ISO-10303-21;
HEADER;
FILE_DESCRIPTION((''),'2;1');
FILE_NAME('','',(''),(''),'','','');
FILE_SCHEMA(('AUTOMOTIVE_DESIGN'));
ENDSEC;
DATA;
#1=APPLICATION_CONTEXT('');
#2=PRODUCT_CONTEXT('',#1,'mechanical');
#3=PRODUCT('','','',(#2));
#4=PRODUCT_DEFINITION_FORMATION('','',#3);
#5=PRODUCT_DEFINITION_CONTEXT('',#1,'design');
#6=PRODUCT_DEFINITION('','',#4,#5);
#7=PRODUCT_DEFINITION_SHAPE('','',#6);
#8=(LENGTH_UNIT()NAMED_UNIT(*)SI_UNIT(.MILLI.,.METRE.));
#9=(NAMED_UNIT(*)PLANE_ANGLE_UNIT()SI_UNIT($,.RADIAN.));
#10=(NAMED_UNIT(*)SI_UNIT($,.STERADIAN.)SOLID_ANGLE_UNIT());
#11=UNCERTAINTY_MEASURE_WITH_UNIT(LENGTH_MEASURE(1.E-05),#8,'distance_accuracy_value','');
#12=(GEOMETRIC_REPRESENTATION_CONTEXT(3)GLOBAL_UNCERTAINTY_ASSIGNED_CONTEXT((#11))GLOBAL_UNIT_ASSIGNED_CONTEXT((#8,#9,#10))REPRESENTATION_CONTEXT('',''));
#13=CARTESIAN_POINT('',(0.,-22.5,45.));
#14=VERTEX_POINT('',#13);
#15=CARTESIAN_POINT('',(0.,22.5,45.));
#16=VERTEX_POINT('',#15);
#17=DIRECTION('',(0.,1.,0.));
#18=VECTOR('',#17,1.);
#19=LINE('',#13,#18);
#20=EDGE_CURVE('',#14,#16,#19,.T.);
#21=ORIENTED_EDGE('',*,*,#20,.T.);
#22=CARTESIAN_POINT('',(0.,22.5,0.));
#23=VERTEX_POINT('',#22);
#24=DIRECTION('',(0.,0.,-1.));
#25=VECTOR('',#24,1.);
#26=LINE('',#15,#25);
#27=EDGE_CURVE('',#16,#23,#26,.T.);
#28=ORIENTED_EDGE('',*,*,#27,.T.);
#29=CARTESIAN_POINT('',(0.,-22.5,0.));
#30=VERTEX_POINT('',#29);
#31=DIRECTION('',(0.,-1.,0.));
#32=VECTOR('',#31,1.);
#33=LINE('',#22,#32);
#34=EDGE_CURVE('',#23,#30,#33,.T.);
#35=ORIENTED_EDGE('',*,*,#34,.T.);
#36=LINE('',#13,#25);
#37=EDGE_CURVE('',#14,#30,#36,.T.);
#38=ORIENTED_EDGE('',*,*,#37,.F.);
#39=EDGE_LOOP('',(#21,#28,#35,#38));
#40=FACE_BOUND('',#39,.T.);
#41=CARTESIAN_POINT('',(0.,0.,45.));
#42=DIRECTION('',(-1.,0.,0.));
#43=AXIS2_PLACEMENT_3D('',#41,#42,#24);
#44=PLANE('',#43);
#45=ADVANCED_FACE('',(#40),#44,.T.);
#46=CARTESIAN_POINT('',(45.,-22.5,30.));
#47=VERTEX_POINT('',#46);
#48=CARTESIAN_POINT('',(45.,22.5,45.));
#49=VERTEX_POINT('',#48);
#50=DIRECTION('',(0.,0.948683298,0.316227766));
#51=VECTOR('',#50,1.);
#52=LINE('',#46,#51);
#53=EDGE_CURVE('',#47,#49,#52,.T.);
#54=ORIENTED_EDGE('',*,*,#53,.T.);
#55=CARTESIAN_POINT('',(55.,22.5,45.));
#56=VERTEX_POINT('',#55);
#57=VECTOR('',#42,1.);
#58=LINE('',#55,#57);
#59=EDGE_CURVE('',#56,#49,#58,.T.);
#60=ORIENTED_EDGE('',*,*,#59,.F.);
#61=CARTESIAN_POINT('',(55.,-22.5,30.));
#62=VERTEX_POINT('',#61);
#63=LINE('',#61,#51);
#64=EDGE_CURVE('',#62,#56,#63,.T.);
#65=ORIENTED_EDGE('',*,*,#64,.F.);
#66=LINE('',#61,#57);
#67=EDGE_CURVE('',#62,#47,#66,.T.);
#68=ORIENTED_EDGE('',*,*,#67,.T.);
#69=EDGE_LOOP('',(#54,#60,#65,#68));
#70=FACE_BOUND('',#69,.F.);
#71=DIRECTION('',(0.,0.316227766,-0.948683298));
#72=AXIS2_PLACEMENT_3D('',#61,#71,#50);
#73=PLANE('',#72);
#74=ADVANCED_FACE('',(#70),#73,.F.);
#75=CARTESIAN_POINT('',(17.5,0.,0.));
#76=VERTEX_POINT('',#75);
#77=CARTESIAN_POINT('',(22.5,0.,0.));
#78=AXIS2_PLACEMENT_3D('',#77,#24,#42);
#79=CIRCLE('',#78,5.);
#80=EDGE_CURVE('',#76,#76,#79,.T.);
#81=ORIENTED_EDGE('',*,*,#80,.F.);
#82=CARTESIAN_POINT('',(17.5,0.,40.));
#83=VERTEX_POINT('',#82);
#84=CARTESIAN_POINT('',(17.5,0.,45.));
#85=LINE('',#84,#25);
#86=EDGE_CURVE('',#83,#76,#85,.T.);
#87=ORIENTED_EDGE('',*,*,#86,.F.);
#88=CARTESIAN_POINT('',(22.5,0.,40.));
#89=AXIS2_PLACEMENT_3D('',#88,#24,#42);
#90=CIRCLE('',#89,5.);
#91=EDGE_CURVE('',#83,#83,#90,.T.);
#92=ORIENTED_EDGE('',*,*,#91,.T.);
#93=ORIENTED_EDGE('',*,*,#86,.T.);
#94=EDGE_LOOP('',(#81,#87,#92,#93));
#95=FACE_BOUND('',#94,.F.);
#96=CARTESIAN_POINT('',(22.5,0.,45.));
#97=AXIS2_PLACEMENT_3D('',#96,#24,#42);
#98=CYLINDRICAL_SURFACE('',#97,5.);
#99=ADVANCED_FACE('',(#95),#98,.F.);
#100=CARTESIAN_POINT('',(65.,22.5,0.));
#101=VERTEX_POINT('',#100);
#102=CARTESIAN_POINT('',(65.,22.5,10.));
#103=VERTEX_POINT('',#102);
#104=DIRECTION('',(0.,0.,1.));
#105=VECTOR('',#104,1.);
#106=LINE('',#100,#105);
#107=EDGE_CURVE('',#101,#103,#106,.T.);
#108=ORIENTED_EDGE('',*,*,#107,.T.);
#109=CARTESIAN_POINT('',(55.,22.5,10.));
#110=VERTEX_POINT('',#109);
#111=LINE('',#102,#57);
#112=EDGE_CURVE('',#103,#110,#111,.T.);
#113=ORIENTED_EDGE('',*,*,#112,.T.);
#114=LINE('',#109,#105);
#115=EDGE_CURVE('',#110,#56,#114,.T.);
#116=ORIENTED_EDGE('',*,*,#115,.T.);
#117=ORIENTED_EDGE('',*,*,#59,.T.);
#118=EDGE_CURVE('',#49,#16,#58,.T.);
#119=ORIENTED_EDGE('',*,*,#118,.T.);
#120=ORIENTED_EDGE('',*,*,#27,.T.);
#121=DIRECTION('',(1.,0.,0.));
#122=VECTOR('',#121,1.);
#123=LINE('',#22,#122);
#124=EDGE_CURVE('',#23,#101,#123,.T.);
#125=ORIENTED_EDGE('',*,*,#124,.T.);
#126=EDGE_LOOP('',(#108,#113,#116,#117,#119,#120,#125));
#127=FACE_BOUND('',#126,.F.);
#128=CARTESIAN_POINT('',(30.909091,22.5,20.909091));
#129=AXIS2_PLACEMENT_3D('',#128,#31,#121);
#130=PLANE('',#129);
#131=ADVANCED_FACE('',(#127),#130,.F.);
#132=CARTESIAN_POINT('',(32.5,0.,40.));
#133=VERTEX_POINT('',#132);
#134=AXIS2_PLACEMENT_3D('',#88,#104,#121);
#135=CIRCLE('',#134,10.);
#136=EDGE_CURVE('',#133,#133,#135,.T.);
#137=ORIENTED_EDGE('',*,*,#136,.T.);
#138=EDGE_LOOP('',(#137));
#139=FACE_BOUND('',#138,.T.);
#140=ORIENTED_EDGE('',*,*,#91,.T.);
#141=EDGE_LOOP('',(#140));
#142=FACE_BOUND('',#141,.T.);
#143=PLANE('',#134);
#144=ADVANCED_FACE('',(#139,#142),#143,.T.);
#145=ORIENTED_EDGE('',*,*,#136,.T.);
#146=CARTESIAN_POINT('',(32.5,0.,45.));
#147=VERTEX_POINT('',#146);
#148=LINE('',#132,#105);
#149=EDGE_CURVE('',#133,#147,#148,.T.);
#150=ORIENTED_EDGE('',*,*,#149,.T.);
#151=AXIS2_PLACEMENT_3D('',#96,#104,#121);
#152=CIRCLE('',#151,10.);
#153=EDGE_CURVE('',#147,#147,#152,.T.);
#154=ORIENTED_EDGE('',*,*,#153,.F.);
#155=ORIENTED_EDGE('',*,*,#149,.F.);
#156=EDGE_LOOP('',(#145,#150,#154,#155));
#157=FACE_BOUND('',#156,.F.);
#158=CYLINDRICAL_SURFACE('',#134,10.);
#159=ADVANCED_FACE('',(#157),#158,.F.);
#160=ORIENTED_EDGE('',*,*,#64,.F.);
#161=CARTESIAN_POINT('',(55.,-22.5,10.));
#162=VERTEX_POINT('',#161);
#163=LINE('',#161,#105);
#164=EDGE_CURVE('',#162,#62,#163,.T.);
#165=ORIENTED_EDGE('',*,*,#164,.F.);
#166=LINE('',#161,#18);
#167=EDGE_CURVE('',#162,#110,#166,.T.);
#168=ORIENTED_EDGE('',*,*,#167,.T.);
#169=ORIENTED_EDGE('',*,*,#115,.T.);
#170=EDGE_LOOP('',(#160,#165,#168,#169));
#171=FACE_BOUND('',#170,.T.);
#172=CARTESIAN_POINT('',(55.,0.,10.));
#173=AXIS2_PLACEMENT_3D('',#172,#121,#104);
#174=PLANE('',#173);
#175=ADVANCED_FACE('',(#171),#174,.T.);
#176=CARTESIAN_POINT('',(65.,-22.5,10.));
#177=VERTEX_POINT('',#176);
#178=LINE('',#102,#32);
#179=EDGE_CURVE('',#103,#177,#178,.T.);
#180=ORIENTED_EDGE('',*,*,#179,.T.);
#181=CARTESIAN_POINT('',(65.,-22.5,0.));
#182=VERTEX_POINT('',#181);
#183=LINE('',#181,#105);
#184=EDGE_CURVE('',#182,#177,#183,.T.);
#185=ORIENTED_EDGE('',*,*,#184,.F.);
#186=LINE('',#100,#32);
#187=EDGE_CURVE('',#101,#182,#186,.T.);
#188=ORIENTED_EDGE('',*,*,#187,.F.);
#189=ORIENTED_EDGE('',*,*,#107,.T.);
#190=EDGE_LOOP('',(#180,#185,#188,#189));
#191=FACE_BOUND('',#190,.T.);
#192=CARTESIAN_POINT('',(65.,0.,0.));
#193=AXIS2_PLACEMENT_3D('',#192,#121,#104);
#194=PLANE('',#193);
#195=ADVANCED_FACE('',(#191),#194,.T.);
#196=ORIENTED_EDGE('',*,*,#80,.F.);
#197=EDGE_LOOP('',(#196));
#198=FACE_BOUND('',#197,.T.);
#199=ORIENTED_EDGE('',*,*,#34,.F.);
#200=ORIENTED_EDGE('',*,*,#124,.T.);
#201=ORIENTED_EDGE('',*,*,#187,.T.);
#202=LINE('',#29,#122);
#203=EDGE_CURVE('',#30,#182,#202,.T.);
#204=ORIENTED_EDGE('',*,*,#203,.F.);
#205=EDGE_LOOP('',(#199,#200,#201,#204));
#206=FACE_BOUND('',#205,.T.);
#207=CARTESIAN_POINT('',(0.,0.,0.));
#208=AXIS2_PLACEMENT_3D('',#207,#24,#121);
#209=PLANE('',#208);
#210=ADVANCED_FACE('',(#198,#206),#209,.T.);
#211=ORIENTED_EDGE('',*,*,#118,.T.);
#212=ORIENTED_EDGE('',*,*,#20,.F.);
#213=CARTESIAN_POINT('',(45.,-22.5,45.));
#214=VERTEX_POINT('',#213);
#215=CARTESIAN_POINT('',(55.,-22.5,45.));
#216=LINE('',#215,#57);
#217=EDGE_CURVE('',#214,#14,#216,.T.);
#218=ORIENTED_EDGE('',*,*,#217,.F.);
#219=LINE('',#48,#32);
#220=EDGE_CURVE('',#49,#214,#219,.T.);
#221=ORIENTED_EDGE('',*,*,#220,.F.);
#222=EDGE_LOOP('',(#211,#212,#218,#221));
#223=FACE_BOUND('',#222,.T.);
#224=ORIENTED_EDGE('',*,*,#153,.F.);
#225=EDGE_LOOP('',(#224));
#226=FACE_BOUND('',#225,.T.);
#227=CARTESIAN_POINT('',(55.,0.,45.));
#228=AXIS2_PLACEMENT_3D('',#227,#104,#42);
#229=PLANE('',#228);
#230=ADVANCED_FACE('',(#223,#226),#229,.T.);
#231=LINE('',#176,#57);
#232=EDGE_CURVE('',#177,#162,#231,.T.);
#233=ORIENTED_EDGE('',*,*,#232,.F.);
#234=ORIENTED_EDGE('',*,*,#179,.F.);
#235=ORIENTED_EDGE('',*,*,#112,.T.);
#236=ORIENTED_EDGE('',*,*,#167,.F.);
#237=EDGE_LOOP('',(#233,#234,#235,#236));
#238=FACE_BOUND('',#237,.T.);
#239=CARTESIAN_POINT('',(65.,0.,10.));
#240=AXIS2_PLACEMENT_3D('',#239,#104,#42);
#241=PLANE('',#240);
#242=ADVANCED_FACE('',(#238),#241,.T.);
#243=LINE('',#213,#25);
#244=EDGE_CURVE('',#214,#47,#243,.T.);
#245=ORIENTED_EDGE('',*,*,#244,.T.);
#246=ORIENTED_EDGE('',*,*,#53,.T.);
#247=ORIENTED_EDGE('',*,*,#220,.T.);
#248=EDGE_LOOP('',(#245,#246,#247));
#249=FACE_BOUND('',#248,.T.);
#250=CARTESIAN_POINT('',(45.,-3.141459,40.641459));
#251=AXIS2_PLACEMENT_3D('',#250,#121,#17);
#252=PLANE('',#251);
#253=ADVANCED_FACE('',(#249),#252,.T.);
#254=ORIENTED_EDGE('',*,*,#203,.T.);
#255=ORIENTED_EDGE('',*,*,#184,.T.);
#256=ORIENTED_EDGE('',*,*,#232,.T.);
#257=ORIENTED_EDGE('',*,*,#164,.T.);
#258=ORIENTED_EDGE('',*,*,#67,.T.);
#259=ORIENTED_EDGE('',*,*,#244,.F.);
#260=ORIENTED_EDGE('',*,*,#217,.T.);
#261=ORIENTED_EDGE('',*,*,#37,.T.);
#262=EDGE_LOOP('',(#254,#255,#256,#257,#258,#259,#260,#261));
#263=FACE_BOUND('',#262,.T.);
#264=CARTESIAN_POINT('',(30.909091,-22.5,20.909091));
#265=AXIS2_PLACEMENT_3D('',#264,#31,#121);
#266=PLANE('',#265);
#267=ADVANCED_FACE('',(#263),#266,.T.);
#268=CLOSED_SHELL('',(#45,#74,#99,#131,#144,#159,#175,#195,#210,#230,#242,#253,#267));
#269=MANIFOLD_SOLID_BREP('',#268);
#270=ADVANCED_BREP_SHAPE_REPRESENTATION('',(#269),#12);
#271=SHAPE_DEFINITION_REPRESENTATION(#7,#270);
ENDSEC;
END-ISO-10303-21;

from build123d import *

# Parameters (mm, degrees)
F1_DEPTH       = 22.5
F3_DEPTH       = 10
F5_D           = 10
F5_CBORE_D     = 20
F5_CBORE_DEPTH = 5


with BuildPart() as f1:
    # F0 (on Front) → F1 (new body, symmetric)
    with BuildSketch(Plane.XZ):
        Polygon((0, 45), (0, 0), (65, 0), (65, 10), (55, 10), (55, 45), align=None)
    extrude(amount=F1_DEPTH, both=True)

    # F2 (on face) → F3 (cut)
    with BuildSketch(Plane.YZ.offset(55)):
        Polygon((-22.5, 45), (-22.5, 30), (22.5, 45), align=None)
    extrude(amount=-F3_DEPTH, mode=Mode.SUBTRACT)

    # F5 (through all)
    with Locations(Plane.XY.offset(45)):
        with Locations((22.5, 0)):
            CounterBoreHole(F5_D / 2, F5_CBORE_D / 2, F5_CBORE_DEPTH)


solid = f1.part
